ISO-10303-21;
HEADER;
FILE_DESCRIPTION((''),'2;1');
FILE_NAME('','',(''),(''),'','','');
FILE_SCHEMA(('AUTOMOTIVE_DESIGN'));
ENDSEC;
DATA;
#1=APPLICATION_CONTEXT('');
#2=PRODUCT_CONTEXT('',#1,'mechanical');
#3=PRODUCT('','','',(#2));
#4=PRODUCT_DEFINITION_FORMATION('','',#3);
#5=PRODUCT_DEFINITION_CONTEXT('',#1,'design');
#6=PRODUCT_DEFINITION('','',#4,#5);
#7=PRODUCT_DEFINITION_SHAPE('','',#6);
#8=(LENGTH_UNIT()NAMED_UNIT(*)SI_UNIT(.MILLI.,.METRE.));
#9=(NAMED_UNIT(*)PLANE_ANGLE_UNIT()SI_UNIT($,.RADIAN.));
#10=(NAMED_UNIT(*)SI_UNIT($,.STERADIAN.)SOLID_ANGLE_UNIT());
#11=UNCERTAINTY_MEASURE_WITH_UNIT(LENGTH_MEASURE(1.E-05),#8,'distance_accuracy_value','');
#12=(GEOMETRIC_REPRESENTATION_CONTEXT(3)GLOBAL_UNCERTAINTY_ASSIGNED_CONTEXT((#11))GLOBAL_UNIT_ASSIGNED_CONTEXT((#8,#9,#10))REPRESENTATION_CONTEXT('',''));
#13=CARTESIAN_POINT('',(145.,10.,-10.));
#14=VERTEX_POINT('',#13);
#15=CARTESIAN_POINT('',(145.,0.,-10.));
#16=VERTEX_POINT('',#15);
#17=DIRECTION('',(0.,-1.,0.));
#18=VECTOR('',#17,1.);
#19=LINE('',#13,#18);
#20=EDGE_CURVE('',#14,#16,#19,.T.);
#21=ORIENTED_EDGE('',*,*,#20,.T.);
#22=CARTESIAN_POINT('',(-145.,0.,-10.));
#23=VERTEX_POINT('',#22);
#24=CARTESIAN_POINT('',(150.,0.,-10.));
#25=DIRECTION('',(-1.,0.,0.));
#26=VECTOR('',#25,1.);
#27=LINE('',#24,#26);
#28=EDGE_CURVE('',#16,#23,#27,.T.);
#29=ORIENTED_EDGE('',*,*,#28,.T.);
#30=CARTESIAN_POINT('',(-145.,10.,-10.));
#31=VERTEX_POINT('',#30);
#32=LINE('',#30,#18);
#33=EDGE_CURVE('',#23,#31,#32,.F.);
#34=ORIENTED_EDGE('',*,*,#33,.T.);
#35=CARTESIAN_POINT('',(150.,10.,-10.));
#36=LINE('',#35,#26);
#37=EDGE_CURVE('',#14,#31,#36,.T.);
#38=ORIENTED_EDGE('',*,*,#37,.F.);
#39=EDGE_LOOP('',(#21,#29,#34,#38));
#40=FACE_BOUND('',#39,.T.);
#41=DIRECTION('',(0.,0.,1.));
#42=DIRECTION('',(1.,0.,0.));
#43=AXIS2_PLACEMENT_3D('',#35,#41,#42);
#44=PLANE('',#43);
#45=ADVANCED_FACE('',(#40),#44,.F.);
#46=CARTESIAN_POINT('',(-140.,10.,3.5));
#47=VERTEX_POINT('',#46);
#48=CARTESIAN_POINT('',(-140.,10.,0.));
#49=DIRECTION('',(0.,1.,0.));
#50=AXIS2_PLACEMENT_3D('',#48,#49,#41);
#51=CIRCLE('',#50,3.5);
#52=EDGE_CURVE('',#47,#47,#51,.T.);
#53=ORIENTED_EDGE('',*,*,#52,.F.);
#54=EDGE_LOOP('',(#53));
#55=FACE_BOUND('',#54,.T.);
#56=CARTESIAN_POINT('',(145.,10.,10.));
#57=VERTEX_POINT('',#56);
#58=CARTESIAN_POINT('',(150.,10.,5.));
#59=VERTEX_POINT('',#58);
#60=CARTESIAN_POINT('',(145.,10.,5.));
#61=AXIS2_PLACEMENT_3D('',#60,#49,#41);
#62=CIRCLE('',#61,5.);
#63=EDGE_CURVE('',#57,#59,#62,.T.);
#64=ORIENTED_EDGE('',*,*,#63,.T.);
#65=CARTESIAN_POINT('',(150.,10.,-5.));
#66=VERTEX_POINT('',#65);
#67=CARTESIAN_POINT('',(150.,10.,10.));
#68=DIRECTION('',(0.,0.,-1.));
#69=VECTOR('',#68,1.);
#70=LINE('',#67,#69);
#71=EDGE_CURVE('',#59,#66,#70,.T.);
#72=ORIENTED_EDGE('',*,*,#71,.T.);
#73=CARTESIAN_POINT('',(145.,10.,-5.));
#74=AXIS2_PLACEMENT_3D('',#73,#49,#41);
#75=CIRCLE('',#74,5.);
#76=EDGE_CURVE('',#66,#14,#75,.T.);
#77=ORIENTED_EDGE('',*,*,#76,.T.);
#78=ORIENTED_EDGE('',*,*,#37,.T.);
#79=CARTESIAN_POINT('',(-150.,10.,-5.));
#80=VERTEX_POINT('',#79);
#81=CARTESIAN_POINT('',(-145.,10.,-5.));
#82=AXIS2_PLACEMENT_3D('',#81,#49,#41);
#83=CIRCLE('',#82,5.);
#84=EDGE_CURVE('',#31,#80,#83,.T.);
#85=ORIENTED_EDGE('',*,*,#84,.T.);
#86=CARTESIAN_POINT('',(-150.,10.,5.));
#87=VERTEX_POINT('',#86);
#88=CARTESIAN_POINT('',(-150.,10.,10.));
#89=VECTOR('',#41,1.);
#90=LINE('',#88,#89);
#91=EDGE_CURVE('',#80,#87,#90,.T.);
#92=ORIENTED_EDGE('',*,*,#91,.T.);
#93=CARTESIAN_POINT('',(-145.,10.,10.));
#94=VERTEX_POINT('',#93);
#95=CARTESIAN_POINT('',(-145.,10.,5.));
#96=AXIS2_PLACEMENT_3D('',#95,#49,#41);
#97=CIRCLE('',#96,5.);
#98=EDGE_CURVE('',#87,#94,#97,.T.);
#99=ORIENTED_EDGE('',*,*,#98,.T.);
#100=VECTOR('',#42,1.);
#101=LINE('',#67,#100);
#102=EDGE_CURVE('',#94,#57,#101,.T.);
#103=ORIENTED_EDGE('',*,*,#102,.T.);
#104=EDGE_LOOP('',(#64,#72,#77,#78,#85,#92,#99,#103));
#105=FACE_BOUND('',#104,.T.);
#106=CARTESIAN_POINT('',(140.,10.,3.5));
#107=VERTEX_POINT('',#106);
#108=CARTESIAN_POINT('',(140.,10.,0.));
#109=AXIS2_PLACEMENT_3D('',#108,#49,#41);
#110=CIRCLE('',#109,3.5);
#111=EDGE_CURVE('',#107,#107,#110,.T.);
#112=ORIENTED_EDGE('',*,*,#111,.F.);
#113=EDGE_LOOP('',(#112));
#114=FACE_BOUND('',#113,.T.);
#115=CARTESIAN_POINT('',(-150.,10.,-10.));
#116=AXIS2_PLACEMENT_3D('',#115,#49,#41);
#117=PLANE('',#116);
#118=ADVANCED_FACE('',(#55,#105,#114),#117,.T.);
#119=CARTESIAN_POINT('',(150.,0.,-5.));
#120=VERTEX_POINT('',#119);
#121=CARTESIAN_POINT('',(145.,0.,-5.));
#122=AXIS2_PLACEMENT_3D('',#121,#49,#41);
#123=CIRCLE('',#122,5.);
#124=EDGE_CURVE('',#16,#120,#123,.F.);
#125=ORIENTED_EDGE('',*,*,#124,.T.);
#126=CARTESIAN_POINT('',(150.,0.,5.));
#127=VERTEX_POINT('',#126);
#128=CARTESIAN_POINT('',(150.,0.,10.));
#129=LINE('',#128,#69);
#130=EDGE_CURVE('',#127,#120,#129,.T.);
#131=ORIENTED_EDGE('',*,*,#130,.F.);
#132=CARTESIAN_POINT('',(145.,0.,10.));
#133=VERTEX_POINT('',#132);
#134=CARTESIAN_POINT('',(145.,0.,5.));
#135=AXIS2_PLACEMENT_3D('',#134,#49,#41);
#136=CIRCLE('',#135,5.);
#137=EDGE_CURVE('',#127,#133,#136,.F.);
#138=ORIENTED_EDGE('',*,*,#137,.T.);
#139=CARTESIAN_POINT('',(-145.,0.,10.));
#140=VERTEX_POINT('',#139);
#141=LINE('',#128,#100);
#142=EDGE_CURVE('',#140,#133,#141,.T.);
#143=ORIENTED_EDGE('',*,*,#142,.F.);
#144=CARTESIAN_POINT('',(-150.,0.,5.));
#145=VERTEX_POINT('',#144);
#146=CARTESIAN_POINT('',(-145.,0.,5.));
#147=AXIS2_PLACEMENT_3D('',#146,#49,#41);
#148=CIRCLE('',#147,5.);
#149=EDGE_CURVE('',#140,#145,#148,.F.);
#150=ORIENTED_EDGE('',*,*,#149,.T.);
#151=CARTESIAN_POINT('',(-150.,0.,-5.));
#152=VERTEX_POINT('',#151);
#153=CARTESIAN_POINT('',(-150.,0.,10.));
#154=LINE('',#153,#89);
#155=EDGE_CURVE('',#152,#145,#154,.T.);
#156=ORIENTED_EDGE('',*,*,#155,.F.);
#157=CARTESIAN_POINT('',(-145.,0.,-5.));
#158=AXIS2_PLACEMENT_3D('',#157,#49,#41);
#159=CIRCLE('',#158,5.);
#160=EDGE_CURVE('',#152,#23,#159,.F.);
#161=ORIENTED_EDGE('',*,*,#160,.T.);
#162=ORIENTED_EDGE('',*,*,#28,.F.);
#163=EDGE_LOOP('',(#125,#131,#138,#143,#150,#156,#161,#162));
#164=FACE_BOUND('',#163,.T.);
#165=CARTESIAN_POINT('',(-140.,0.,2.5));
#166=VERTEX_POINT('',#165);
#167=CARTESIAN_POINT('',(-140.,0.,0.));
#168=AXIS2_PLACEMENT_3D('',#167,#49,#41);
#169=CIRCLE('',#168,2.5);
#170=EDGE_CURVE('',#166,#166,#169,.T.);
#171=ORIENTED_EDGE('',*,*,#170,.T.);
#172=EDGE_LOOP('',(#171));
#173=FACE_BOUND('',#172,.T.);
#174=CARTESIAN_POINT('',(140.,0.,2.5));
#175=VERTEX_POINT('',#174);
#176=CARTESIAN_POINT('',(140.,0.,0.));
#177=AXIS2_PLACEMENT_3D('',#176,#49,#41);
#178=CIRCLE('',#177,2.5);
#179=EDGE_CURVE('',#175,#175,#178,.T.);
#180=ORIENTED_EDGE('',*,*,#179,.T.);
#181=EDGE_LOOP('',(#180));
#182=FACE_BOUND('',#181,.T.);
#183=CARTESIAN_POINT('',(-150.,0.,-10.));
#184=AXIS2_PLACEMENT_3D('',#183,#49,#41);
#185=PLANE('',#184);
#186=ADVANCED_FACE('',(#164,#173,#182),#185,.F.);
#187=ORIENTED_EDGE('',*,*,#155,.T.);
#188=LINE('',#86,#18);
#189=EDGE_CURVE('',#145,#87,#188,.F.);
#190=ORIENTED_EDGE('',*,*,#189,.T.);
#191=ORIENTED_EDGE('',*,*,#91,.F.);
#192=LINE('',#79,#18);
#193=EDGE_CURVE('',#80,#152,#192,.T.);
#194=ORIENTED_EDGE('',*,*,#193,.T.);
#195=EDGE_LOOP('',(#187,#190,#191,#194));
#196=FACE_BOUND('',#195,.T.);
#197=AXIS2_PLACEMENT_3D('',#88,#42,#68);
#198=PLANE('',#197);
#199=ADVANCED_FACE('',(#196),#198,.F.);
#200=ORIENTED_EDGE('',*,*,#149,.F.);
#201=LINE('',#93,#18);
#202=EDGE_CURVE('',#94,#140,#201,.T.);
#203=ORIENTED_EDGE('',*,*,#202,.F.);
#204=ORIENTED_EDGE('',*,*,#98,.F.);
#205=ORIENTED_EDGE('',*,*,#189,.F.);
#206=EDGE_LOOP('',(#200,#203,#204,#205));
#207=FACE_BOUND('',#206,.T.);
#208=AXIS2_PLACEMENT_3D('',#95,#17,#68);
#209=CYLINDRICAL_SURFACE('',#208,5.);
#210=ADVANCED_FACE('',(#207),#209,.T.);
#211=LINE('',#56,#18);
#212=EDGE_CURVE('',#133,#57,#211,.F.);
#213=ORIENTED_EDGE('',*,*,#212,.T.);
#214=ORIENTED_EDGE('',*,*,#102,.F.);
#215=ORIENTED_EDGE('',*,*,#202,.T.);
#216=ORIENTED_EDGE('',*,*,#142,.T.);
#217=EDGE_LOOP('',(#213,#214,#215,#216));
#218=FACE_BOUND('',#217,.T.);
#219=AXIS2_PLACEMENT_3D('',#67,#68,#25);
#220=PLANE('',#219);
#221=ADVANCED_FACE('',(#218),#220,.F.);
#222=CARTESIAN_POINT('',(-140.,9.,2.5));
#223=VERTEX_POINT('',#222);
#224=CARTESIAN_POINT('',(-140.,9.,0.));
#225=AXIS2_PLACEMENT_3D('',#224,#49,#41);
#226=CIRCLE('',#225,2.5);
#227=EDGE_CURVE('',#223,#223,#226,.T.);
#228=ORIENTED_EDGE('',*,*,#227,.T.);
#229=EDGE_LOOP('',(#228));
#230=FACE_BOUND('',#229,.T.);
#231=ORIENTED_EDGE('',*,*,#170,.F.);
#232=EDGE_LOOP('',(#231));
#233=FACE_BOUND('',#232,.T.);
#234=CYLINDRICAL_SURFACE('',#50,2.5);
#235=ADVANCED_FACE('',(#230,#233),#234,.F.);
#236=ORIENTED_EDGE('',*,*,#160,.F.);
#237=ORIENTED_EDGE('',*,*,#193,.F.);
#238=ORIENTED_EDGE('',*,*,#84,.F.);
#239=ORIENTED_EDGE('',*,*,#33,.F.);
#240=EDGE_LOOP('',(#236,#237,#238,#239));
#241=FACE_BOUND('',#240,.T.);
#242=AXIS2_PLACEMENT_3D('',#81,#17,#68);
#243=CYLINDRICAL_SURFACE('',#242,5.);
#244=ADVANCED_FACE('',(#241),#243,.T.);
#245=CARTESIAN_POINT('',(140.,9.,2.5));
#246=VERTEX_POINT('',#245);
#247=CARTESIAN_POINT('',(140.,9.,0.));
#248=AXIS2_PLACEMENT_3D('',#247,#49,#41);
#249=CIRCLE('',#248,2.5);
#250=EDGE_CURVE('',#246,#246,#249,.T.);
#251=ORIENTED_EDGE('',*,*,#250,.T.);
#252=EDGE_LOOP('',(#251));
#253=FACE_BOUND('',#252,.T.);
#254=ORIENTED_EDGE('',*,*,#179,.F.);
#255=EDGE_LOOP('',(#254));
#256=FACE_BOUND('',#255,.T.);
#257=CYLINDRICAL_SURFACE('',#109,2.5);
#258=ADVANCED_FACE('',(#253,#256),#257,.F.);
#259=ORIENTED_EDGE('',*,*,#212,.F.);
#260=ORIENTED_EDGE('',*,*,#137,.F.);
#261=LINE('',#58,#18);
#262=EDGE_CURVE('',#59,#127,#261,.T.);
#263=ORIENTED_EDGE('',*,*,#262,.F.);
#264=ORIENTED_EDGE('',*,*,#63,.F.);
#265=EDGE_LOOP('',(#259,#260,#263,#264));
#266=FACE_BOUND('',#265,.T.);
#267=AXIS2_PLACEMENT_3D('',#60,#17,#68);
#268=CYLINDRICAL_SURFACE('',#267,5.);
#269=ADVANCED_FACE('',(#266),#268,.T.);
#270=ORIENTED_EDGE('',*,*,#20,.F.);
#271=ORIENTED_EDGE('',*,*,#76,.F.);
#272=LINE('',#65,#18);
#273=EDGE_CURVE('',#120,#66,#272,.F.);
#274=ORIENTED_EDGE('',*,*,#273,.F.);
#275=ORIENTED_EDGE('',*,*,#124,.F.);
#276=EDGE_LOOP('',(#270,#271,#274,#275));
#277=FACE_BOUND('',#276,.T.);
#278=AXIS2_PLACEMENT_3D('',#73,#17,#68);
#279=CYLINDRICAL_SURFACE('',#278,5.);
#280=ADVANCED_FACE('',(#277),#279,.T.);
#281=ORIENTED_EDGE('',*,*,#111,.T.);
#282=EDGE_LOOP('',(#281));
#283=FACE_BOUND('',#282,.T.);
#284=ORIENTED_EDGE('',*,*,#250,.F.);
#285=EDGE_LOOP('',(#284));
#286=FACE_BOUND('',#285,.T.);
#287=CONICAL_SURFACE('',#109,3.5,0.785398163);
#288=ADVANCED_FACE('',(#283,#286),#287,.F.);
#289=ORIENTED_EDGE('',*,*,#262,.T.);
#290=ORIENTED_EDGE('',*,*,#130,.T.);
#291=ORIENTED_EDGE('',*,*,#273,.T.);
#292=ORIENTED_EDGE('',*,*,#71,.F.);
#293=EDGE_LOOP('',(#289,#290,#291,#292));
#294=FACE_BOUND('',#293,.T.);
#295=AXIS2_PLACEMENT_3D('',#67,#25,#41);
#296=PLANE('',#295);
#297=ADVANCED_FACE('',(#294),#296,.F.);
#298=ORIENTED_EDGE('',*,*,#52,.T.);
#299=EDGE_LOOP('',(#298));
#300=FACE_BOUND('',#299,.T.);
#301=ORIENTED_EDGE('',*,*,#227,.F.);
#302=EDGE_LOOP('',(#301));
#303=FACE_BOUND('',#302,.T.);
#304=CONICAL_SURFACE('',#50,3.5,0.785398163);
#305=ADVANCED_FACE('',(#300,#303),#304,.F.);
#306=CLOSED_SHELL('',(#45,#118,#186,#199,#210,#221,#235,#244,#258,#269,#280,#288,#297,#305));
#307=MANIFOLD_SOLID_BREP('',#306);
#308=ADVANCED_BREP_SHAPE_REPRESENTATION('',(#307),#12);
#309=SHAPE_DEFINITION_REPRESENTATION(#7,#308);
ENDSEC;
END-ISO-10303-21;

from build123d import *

# Parameters (mm, degrees)
SCHIZZO1_W                      = 300
SCHIZZO1_H                      = 20
ESTRUSIONE_ESTRUSIONE1_DEPTH    = 10
FORO_FILETTATO_M6_1_D           = 5
FORO_FILETTATO_M6_1_DEPTH       = 11
FORO_FILETTATO_M6_1_CSINK_D     = 7
FORO_FILETTATO_M6_1_CSINK_ANGLE = 90
FORO_FILETTATO_M6_1_TIP         = 1.502151548
RACCORDO1_R                     = 5


with BuildPart() as part:
    # Schizzo1 → Estrusione-Estrusione1 (new body)
    with BuildSketch(Plane(origin=(0, 0, 0), x_dir=(1, 0, 0), z_dir=(0, 1, 0))):
        Rectangle(SCHIZZO1_W, SCHIZZO1_H)
    extrude(amount=ESTRUSIONE_ESTRUSIONE1_DEPTH)

    # Foro filettato M6-1
    with Locations(Plane(origin=(0, 10, 0), x_dir=(-1, 0, 0), z_dir=(0, 1, 0))):
        with Locations((140, 0), (-140, 0)):
            CounterSinkHole(FORO_FILETTATO_M6_1_D / 2, FORO_FILETTATO_M6_1_CSINK_D / 2, depth=FORO_FILETTATO_M6_1_DEPTH, counter_sink_angle=FORO_FILETTATO_M6_1_CSINK_ANGLE)
            with Locations((0, 0, -(FORO_FILETTATO_M6_1_DEPTH + FORO_FILETTATO_M6_1_TIP / 2))):  # 118° drill point
                Cone(0, FORO_FILETTATO_M6_1_D / 2, FORO_FILETTATO_M6_1_TIP, mode=Mode.SUBTRACT)

    # Raccordo1
    raccordo1_edges = [part.edges().sort_by_distance(p)[0] for p in [
        (-150, 5, -10),
        (150, 5, -10),
        (150, 5, 10),
        (-150, 5, 10),
    ]]
    fillet(raccordo1_edges, radius=RACCORDO1_R)


solid = part.part
